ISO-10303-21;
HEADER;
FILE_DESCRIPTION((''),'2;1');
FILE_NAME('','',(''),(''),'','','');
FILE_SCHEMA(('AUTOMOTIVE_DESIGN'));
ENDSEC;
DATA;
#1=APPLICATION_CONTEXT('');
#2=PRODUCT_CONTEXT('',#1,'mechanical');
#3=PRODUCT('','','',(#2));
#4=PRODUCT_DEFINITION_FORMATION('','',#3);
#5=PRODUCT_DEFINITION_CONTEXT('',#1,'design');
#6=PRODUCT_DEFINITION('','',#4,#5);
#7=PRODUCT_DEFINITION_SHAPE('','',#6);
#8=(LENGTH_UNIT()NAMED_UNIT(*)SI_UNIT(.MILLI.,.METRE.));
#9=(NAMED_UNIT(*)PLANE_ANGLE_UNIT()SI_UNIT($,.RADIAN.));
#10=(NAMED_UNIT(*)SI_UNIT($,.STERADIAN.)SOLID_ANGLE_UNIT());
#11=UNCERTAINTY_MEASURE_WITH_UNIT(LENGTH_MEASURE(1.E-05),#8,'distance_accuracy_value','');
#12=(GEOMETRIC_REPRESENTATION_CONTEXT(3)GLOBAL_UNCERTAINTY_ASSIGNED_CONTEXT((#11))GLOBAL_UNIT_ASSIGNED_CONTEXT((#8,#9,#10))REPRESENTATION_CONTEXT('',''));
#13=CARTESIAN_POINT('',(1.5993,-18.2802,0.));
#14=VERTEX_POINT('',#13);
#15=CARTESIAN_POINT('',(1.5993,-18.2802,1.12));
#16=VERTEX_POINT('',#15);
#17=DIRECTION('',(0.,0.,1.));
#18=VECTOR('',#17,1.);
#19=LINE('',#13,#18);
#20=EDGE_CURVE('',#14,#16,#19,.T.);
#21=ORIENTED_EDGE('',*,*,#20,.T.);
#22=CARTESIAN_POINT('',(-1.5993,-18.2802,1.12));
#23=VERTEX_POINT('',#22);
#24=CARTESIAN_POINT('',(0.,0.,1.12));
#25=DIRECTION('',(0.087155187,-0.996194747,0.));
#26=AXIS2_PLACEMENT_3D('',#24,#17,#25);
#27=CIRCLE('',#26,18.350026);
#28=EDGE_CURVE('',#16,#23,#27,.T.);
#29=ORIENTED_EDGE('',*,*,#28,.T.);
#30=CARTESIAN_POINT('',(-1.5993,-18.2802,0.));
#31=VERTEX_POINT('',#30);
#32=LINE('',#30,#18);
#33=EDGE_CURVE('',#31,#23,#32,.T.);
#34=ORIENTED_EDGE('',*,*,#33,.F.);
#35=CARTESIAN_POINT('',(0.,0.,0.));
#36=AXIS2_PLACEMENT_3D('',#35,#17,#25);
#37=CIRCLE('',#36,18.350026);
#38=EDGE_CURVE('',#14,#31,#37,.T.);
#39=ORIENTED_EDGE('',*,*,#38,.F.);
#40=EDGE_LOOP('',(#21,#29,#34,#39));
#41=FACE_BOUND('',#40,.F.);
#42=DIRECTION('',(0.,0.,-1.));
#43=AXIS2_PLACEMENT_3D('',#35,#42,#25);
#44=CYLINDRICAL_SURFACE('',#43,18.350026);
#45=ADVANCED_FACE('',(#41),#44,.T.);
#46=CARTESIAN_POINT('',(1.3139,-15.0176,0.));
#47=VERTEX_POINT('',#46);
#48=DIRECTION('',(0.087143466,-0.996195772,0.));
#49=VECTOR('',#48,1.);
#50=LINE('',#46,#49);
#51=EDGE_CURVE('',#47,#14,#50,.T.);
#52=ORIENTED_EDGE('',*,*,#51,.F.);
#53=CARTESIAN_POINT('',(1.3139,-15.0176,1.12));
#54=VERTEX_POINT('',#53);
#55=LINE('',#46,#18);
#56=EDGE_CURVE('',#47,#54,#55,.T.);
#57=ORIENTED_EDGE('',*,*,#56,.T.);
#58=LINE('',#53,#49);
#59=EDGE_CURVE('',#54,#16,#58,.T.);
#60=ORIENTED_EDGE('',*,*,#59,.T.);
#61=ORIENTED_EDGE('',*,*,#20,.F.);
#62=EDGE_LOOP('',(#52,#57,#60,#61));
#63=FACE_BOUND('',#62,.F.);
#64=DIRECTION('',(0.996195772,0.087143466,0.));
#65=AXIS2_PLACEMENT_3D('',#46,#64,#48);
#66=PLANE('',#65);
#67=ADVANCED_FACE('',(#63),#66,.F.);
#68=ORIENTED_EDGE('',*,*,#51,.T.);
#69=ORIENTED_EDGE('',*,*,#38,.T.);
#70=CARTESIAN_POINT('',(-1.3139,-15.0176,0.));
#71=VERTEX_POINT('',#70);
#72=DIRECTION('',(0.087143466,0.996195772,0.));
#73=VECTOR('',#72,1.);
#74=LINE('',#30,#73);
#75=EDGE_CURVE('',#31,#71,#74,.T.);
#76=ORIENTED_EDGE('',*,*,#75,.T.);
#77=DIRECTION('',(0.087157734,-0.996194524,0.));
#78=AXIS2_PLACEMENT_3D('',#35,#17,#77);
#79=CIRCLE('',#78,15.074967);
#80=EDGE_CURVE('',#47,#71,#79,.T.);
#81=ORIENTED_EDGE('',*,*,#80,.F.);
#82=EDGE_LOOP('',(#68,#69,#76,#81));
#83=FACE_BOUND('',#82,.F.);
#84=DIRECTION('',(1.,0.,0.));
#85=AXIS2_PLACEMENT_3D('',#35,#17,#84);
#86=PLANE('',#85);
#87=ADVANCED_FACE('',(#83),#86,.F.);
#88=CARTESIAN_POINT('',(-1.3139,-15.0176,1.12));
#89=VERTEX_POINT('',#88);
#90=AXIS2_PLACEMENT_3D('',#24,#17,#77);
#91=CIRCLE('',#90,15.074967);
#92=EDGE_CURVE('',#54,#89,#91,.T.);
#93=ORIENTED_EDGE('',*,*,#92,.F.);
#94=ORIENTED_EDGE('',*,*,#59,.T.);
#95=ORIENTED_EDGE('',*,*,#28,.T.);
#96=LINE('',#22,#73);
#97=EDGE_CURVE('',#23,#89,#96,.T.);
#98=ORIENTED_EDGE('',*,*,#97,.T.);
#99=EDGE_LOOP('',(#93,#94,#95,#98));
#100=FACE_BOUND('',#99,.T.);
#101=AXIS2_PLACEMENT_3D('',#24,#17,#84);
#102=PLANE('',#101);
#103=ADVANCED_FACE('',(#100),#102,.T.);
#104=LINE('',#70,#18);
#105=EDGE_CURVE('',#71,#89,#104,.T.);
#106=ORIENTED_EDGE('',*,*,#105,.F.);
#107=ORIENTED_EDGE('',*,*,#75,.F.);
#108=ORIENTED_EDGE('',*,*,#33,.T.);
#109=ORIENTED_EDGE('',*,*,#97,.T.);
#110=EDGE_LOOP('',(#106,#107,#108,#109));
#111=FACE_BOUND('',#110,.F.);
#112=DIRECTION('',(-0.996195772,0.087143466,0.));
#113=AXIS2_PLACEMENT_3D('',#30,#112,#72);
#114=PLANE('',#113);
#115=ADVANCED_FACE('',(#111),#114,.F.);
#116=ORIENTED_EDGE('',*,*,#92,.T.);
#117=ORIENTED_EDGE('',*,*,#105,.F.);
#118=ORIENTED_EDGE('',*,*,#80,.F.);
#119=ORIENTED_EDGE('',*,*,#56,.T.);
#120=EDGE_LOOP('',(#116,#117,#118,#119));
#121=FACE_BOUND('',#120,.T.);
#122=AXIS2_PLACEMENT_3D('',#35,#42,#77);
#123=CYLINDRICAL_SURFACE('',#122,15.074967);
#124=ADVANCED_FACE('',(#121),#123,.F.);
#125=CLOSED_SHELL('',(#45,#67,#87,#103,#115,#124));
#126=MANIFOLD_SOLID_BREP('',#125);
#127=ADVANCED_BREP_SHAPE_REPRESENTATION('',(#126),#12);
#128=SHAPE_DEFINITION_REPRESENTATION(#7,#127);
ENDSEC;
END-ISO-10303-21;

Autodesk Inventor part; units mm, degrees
sketch "Sketch_1" plane through (0, 0, 0) normal (0, 0, 1) x (1, 0, 0)
  arc A0 (1.5993, -18.2802) -> (-1.5993, -18.2802) centre (0, 0) ccw
  line L0 (-1.5993, -18.2802) -> (-1.3139, -15.0176)
  arc A1 (1.3139, -15.0176) -> (-1.3139, -15.0176) centre (0, 0) ccw
  line L1 (1.3139, -15.0176) -> (1.5993, -18.2802)
extrude "Extrusion1" add sketch "Sketch_1" along normal blind 1.12
ref_plane "ring_to_bearing_XY" through (0, 0, 0) normal (0, 0, 1) x (1, 0, 0)
ref_plane "ring_to_bearing_YZ" through (0, 0, 0) normal (1, 0, 0) x (0, 1, 0)
ref_plane "ring_to_bearing_ZX" through (0, 0, 0) normal (0, 1, 0) x (0, 0, 1)
properties part number "RING-6201ZZ"
